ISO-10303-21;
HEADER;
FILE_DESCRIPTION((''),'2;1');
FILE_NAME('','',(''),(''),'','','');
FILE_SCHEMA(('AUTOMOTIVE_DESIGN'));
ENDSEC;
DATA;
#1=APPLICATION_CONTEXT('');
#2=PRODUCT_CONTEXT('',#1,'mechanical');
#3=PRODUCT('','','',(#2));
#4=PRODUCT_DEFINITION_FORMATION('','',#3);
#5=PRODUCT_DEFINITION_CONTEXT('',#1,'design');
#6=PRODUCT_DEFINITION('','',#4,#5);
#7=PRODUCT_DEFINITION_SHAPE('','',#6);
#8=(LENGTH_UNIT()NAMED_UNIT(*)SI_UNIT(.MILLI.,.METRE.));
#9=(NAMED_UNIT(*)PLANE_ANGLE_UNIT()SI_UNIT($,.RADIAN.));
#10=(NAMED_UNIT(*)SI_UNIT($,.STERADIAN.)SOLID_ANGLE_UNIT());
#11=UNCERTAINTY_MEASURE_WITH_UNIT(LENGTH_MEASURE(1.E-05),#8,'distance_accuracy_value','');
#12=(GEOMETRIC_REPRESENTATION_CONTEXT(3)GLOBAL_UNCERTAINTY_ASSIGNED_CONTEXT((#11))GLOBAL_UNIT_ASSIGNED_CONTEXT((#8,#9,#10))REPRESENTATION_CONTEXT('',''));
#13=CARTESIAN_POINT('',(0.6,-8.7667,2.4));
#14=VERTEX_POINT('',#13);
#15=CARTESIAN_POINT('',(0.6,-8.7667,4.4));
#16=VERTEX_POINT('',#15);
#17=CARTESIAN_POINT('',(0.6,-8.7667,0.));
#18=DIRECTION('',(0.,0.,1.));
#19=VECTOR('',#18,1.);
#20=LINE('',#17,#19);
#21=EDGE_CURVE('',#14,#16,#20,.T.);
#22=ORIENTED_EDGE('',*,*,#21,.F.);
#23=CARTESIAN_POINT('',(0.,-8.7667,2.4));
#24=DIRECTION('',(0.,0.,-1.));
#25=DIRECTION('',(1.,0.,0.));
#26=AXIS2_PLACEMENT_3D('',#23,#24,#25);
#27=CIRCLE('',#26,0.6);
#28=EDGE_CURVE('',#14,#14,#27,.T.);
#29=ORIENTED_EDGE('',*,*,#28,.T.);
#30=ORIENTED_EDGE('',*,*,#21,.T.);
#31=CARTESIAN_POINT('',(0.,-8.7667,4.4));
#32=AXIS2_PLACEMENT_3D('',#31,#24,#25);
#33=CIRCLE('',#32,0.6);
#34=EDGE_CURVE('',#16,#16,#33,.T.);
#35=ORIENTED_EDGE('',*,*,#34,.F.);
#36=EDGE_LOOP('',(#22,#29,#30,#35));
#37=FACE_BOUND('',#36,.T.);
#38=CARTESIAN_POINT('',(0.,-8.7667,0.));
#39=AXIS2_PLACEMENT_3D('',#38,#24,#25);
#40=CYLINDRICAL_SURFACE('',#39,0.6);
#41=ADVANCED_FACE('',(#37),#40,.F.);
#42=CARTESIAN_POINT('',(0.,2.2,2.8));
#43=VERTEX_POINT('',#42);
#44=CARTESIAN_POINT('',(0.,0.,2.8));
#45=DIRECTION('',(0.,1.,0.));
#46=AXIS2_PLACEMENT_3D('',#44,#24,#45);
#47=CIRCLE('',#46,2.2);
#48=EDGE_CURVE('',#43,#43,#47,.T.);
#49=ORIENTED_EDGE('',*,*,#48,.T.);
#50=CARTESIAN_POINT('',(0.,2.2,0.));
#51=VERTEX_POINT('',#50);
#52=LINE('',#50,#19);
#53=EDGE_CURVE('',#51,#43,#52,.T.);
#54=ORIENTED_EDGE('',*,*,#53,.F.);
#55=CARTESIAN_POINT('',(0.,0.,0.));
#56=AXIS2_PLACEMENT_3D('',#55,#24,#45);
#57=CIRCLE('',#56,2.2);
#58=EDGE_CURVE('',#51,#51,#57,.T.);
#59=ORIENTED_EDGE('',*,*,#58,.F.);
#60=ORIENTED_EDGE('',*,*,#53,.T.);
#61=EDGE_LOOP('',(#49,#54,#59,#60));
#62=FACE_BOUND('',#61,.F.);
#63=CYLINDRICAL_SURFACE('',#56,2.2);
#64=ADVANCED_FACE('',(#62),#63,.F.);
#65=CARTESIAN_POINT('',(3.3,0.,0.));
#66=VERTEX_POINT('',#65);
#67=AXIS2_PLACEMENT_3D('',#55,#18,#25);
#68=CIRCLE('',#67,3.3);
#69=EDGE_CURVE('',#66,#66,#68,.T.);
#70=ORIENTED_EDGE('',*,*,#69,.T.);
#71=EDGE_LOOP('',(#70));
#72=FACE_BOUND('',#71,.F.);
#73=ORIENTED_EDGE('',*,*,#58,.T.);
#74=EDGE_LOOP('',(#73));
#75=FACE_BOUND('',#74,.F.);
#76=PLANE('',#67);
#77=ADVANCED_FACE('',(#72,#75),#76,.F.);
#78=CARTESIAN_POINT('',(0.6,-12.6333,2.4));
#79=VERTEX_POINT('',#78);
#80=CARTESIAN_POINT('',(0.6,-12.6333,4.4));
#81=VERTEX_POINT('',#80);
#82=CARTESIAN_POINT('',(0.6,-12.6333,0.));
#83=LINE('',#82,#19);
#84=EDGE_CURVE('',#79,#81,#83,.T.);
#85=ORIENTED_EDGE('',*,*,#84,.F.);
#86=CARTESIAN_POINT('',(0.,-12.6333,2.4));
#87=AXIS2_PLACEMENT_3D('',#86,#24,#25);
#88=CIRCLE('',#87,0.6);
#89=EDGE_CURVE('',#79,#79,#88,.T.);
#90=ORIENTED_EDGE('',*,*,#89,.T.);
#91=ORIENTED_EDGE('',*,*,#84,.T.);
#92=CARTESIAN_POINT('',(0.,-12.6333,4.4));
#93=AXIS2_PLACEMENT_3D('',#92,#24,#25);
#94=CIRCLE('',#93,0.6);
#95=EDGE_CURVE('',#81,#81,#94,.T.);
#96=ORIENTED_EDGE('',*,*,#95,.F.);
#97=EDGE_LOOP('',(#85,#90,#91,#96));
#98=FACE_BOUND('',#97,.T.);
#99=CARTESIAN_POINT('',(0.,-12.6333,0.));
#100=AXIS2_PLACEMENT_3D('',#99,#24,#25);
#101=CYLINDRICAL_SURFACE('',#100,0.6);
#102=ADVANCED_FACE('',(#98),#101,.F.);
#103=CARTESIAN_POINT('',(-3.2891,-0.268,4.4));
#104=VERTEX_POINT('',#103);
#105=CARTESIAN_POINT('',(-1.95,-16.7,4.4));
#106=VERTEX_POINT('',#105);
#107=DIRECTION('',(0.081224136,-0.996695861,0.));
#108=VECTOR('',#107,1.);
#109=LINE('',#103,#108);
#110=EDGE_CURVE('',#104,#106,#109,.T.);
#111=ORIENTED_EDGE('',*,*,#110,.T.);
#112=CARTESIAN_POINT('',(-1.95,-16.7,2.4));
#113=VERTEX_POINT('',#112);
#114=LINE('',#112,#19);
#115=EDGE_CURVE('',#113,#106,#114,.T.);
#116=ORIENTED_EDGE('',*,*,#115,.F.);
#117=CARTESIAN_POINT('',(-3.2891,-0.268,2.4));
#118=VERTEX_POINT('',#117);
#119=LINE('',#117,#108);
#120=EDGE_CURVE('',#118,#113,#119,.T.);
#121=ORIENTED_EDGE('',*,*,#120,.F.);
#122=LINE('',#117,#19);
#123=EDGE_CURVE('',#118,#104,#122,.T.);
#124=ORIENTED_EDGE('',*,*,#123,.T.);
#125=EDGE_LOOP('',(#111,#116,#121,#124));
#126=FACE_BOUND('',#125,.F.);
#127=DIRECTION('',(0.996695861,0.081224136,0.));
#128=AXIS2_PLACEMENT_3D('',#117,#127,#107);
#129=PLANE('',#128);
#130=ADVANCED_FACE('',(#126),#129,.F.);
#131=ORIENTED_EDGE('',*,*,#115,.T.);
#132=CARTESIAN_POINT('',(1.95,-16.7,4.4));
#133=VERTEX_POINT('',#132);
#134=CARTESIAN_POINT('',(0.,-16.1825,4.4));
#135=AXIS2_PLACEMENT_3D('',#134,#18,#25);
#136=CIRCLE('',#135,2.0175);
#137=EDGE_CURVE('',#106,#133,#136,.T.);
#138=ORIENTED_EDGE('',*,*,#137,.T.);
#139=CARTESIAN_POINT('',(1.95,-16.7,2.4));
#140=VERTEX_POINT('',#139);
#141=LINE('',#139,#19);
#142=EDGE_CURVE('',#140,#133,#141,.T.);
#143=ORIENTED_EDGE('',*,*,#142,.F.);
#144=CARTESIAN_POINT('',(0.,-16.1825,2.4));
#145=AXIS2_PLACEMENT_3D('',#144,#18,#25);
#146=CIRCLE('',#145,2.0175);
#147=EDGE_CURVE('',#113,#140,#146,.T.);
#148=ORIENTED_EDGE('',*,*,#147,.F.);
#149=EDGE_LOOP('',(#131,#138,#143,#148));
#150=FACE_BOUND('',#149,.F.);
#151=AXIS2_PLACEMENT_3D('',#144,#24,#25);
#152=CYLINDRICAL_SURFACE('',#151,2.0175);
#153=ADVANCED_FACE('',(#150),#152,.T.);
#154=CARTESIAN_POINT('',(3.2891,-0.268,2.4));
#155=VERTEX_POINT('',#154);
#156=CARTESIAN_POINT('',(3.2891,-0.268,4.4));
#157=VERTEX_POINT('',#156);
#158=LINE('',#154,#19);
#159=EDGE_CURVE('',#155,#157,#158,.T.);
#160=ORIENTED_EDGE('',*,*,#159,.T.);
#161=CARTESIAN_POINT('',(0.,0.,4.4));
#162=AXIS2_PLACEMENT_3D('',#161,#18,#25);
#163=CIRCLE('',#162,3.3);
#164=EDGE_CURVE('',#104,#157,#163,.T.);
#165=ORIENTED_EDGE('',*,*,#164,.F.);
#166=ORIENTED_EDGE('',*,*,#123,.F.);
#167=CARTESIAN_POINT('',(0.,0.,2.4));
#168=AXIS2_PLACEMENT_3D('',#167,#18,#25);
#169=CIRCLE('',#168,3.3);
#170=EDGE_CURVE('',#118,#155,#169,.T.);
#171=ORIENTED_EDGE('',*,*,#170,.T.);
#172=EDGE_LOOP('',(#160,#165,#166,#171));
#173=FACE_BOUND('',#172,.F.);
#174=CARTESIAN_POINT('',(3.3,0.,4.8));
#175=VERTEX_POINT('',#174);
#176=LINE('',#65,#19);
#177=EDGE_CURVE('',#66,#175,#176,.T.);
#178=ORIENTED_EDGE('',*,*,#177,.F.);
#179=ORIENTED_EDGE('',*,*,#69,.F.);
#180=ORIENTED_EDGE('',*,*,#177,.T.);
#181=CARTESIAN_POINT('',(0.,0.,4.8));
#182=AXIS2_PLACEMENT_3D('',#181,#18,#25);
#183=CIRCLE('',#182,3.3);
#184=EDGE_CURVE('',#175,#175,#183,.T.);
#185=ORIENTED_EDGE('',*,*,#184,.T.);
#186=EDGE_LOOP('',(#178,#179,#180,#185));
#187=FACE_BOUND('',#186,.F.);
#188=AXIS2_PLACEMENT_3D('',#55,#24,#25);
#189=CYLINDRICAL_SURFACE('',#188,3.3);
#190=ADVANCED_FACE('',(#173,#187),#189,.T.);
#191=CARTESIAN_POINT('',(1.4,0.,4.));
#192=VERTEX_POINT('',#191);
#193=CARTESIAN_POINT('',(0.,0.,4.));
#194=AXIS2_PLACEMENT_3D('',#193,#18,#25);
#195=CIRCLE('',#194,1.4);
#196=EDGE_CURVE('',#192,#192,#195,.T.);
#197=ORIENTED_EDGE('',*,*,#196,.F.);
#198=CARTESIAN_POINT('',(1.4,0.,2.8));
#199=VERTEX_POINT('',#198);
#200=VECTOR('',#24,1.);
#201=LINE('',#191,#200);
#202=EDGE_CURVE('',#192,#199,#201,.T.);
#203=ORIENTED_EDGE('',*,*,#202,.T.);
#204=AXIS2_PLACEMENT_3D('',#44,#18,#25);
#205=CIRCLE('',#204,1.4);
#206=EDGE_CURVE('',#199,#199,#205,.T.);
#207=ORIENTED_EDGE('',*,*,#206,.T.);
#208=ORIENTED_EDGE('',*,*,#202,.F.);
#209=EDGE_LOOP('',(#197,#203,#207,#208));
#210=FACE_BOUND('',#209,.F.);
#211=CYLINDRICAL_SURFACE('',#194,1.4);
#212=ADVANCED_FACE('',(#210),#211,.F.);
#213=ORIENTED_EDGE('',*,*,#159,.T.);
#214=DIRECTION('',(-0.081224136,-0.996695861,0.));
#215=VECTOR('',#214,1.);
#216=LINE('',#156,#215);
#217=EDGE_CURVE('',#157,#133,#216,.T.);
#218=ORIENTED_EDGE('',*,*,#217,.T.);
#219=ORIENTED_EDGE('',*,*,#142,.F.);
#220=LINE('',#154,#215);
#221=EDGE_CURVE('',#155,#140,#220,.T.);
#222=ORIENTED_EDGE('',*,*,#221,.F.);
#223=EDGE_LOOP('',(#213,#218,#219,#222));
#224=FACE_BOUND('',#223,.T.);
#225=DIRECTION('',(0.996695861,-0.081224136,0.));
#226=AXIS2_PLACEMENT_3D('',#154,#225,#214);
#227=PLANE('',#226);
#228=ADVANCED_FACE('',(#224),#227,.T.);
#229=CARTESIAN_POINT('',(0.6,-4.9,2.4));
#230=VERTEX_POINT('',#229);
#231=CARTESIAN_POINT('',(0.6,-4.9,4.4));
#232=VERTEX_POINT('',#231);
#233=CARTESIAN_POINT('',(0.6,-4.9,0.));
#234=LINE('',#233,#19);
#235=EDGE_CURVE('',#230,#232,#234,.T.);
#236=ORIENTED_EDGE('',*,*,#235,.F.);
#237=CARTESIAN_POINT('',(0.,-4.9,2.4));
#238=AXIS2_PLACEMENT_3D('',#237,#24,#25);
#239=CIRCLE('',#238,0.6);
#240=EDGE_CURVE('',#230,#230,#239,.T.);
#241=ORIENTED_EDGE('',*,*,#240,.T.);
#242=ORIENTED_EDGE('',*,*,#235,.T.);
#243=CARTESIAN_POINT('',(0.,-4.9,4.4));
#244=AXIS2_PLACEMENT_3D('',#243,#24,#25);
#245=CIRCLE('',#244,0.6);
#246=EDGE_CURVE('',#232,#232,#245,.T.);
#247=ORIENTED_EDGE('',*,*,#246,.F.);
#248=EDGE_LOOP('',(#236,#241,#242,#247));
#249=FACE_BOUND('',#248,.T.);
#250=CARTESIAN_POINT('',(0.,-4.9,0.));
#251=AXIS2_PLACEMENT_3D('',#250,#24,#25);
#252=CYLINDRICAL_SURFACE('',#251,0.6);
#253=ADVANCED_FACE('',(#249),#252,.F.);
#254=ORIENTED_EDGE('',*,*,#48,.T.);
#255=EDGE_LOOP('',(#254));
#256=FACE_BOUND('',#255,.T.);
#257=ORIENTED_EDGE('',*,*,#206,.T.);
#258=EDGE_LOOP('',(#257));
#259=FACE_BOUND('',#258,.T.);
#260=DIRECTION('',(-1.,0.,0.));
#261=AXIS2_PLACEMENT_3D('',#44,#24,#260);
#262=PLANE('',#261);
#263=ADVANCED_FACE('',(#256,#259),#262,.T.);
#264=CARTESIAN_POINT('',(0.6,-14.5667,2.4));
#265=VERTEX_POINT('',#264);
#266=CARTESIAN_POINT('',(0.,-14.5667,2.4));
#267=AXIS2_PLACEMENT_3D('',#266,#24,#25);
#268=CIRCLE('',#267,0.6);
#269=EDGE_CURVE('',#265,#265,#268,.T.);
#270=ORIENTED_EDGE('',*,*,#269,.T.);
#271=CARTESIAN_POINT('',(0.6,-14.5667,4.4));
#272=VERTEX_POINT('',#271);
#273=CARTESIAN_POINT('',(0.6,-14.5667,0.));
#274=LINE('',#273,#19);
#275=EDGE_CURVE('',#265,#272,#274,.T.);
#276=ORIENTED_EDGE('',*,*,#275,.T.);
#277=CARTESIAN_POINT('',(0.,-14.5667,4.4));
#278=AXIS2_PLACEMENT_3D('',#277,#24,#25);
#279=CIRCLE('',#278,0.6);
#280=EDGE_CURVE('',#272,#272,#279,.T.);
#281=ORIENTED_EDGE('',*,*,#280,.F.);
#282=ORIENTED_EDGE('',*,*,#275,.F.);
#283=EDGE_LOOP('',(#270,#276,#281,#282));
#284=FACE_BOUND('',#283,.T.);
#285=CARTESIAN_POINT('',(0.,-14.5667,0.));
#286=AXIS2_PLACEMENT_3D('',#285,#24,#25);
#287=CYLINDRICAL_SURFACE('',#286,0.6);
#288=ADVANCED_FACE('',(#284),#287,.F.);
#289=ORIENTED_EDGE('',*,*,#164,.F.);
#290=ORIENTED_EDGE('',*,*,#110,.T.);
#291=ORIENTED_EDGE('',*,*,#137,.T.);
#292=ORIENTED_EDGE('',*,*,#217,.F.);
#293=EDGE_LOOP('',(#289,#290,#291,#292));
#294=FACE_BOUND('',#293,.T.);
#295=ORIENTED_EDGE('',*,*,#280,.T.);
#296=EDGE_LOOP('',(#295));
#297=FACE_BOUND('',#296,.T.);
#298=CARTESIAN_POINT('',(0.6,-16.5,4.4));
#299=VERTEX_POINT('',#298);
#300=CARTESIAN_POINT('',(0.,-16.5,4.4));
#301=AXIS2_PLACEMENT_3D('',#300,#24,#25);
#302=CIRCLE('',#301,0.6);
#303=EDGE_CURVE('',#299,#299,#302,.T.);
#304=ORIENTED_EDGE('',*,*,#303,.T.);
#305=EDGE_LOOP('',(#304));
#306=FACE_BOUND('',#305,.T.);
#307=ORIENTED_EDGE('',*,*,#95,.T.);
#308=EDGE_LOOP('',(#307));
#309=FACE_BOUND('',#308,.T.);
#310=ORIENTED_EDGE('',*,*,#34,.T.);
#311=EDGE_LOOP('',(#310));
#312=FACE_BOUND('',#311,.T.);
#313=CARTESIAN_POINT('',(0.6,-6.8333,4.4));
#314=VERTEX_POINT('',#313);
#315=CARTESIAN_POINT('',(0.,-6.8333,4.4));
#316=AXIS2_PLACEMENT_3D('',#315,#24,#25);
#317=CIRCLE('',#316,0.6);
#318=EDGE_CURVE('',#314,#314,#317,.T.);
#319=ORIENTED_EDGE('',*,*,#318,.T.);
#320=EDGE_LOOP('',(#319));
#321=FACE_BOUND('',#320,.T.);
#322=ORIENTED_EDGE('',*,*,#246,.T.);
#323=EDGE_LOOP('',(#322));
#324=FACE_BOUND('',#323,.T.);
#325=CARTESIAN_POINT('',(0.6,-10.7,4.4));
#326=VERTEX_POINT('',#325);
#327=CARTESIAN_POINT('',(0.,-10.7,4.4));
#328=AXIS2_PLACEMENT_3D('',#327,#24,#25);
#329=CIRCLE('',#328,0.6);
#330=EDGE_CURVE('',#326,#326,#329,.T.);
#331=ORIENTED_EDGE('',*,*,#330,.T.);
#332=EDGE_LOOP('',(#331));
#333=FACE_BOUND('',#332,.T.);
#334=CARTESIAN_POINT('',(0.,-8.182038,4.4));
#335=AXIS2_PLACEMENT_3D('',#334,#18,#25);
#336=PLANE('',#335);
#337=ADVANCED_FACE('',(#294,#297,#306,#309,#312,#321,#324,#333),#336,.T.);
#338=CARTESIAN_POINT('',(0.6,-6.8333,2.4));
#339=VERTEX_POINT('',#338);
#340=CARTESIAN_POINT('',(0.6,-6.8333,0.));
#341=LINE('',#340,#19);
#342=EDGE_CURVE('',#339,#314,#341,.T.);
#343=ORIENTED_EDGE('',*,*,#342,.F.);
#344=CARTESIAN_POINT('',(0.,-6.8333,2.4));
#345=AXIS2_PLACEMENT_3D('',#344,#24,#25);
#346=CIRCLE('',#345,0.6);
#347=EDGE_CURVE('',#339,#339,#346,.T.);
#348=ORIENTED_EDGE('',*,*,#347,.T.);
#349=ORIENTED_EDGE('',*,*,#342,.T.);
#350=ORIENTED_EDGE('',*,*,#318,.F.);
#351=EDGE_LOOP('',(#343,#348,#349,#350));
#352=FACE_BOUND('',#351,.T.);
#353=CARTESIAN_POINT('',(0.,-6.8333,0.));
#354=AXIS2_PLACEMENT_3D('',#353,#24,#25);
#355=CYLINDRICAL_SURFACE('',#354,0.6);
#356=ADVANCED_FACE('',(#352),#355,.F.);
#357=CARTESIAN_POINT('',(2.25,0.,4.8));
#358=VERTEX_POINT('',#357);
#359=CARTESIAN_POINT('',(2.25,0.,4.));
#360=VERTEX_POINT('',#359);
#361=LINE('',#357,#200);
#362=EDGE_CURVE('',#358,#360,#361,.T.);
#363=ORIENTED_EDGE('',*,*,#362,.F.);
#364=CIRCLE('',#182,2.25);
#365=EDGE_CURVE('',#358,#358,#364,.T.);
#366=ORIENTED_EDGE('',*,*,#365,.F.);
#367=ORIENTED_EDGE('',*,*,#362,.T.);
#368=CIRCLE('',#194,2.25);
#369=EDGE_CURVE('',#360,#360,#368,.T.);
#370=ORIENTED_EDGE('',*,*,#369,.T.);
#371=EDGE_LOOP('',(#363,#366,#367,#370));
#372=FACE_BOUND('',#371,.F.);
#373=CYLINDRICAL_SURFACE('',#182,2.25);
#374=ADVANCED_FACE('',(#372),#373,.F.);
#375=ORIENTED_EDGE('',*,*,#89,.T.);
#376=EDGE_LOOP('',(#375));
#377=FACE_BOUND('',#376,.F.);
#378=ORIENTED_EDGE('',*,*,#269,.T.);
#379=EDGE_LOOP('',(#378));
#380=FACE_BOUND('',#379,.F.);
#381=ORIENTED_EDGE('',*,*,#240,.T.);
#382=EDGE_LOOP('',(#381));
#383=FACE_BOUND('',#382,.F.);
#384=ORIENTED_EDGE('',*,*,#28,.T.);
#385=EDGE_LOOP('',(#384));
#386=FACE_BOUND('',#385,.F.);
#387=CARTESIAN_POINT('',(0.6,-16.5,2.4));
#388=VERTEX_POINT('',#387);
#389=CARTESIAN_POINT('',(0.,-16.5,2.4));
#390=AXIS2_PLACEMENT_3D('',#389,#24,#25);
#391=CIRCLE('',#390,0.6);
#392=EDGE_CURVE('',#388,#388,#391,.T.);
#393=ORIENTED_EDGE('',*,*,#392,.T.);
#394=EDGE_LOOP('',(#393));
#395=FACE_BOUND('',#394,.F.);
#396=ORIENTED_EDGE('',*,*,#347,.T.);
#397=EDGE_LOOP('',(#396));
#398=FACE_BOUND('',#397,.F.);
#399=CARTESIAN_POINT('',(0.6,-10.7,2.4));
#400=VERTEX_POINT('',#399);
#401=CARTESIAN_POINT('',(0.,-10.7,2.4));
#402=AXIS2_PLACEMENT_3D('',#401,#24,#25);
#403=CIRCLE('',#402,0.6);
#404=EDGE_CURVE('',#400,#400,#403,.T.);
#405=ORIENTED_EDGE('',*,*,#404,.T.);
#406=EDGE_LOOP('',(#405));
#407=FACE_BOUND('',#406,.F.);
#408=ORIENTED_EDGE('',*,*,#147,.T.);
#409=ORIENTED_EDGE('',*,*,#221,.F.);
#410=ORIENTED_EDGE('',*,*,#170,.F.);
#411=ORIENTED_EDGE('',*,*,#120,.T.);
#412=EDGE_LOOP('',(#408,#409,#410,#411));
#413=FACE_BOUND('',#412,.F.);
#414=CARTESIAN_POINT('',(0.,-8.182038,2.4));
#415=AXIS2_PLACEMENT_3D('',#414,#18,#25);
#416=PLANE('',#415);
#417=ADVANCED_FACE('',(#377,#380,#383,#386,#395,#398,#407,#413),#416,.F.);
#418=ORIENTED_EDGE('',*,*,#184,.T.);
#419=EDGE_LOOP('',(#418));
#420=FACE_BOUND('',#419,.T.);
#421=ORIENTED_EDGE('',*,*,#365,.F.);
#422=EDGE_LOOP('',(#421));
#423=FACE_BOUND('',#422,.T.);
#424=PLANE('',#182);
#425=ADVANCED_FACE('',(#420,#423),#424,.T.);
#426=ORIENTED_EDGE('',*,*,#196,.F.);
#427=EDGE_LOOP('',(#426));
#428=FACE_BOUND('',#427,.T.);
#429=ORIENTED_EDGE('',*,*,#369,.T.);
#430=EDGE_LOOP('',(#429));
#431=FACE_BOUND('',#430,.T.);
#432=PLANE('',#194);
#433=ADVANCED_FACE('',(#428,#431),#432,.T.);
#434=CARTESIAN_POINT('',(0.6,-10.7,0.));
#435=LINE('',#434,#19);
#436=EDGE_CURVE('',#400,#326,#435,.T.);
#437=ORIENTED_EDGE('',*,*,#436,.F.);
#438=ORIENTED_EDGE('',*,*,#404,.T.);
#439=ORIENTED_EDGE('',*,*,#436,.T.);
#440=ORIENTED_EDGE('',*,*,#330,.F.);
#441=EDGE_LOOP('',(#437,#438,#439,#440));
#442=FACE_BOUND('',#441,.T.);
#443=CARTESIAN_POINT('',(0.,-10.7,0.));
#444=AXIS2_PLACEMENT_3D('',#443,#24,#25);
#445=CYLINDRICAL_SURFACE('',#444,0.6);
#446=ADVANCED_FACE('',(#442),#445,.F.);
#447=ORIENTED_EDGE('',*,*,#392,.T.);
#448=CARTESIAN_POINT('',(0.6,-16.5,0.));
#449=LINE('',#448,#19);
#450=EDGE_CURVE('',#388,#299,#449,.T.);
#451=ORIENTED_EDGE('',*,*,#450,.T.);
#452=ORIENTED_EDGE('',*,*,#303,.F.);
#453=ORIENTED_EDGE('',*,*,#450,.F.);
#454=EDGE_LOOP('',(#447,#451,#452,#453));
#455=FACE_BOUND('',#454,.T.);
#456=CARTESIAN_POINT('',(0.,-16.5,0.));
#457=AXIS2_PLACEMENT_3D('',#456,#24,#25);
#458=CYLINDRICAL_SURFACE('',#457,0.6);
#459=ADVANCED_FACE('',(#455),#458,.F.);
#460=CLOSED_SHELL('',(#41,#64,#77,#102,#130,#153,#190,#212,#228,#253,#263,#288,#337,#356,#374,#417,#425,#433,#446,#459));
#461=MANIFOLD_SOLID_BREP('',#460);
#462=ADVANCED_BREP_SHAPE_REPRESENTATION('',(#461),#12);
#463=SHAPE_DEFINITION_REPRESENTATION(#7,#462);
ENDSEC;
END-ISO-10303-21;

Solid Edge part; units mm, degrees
sketch "Sketch1" plane through (0, 0, 0) normal (0, 0, 1) x (1, 0, 0)
  circle A0 centre (0, 0) radius 3.3
  dimension "D1" = 6.6
extrude "Protrusion1" add sketch "Sketch1" along normal blind 4.8
sketch "Sketch2" plane through (0, 0, 4.8) normal (0, 0, 1) x (1, 0, 0)
  circle A0 centre (0, 0) radius 2.25
  dimension "D1" = 4.5
extrude "nail_base" cut sketch "Sketch2" against normal blind 0.8
sketch "Sketch3" plane through (0, 0, 4) normal (0, 0, 1) x (1, 0, 0)
  circle A0 centre (0, 0) radius 1.4
  dimension "D1" = 2.8
extrude "Cutout1" cut sketch "Sketch3" against normal through all
sketch "Sketch4" plane through (0, 0, 0) normal (0, 0, -1) x (0, 1, 0)
  circle A0 centre (0, 0) radius 2.2
extrude "servo_mounting" cut sketch "Sketch4" against normal blind 2.8
sketch "Sketch5" plane through (0, 0, 2.4) normal (0, 0, -1) x (1, 0, 0)
  line L0 (-3.2891, 0.268) -> (-1.95, 16.7)
  arc A0 (-1.95, 16.7) -> (1.95, 16.7) centre (0, 16.1825) cw
  line L1 (3.2891, 0.268) -> (1.95, 16.7)
  arc A1 (-3.2891, 0.268) -> (3.2891, 0.268) centre (0, 0) cw
  dimension "D1" = 21.5
  dimension "D2" = 3.9
  dimension "D3" = 20
extrude "connector" add sketch "Sketch5" against normal blind 2
sketch "Sketch6" plane through (0, 0, 0) normal (0, 0, 1) x (1, 0, 0)
  circle A0 centre (0, -4.9) radius 0.6
  circle A1 centre (0, -6.8333) radius 0.6
  circle A2 centre (0, -8.7667) radius 0.6
  circle A3 centre (0, -10.7) radius 0.6
  circle A4 centre (0, -12.6333) radius 0.6
  circle A5 centre (0, -14.5667) radius 0.6
  circle A6 centre (0, -16.5) radius 0.6
  dimension "D1" = 1.2
  dimension "D2" = 5.8
  dimension "D3" = 18.7
extrude "Cutout2" cut sketch "Sketch6" along normal through all
